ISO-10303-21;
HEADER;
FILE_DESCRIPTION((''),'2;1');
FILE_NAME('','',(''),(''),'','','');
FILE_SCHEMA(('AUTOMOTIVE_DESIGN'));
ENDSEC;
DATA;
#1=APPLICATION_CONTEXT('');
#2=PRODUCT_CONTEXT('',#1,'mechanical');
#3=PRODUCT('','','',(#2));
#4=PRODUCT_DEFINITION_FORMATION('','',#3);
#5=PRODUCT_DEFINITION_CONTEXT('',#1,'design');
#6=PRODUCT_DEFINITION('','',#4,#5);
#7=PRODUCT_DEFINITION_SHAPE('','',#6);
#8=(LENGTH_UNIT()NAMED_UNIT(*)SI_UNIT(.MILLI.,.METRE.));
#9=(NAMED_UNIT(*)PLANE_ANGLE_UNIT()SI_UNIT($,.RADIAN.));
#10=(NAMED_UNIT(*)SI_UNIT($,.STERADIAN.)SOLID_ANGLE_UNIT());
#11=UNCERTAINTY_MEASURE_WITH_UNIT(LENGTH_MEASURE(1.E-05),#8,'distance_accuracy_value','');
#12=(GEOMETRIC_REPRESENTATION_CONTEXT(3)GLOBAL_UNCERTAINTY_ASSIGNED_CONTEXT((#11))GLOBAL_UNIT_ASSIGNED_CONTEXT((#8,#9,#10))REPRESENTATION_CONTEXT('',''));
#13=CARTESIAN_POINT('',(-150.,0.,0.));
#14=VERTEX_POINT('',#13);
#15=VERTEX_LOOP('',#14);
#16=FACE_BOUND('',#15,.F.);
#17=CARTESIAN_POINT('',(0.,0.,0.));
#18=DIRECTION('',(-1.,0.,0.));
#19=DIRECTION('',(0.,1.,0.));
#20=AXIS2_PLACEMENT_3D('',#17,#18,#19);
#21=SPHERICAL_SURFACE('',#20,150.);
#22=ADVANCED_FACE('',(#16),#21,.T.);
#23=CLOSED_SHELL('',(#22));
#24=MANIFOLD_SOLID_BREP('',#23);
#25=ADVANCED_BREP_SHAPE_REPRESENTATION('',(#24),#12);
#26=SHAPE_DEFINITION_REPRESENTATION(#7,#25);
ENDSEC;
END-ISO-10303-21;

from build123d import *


with BuildPart() as part:
    # Sketch → Revolution (revolve)
    with BuildSketch(Plane.XY):
        with BuildLine():
            ThreePointArc((150, 0), (0, 150), (-150, 0))
            Line((-150, 0), (150, 0))
        make_face()
    revolve(axis=Axis((0, 0, 0), (1, 0, 0)))


solid = part.part
